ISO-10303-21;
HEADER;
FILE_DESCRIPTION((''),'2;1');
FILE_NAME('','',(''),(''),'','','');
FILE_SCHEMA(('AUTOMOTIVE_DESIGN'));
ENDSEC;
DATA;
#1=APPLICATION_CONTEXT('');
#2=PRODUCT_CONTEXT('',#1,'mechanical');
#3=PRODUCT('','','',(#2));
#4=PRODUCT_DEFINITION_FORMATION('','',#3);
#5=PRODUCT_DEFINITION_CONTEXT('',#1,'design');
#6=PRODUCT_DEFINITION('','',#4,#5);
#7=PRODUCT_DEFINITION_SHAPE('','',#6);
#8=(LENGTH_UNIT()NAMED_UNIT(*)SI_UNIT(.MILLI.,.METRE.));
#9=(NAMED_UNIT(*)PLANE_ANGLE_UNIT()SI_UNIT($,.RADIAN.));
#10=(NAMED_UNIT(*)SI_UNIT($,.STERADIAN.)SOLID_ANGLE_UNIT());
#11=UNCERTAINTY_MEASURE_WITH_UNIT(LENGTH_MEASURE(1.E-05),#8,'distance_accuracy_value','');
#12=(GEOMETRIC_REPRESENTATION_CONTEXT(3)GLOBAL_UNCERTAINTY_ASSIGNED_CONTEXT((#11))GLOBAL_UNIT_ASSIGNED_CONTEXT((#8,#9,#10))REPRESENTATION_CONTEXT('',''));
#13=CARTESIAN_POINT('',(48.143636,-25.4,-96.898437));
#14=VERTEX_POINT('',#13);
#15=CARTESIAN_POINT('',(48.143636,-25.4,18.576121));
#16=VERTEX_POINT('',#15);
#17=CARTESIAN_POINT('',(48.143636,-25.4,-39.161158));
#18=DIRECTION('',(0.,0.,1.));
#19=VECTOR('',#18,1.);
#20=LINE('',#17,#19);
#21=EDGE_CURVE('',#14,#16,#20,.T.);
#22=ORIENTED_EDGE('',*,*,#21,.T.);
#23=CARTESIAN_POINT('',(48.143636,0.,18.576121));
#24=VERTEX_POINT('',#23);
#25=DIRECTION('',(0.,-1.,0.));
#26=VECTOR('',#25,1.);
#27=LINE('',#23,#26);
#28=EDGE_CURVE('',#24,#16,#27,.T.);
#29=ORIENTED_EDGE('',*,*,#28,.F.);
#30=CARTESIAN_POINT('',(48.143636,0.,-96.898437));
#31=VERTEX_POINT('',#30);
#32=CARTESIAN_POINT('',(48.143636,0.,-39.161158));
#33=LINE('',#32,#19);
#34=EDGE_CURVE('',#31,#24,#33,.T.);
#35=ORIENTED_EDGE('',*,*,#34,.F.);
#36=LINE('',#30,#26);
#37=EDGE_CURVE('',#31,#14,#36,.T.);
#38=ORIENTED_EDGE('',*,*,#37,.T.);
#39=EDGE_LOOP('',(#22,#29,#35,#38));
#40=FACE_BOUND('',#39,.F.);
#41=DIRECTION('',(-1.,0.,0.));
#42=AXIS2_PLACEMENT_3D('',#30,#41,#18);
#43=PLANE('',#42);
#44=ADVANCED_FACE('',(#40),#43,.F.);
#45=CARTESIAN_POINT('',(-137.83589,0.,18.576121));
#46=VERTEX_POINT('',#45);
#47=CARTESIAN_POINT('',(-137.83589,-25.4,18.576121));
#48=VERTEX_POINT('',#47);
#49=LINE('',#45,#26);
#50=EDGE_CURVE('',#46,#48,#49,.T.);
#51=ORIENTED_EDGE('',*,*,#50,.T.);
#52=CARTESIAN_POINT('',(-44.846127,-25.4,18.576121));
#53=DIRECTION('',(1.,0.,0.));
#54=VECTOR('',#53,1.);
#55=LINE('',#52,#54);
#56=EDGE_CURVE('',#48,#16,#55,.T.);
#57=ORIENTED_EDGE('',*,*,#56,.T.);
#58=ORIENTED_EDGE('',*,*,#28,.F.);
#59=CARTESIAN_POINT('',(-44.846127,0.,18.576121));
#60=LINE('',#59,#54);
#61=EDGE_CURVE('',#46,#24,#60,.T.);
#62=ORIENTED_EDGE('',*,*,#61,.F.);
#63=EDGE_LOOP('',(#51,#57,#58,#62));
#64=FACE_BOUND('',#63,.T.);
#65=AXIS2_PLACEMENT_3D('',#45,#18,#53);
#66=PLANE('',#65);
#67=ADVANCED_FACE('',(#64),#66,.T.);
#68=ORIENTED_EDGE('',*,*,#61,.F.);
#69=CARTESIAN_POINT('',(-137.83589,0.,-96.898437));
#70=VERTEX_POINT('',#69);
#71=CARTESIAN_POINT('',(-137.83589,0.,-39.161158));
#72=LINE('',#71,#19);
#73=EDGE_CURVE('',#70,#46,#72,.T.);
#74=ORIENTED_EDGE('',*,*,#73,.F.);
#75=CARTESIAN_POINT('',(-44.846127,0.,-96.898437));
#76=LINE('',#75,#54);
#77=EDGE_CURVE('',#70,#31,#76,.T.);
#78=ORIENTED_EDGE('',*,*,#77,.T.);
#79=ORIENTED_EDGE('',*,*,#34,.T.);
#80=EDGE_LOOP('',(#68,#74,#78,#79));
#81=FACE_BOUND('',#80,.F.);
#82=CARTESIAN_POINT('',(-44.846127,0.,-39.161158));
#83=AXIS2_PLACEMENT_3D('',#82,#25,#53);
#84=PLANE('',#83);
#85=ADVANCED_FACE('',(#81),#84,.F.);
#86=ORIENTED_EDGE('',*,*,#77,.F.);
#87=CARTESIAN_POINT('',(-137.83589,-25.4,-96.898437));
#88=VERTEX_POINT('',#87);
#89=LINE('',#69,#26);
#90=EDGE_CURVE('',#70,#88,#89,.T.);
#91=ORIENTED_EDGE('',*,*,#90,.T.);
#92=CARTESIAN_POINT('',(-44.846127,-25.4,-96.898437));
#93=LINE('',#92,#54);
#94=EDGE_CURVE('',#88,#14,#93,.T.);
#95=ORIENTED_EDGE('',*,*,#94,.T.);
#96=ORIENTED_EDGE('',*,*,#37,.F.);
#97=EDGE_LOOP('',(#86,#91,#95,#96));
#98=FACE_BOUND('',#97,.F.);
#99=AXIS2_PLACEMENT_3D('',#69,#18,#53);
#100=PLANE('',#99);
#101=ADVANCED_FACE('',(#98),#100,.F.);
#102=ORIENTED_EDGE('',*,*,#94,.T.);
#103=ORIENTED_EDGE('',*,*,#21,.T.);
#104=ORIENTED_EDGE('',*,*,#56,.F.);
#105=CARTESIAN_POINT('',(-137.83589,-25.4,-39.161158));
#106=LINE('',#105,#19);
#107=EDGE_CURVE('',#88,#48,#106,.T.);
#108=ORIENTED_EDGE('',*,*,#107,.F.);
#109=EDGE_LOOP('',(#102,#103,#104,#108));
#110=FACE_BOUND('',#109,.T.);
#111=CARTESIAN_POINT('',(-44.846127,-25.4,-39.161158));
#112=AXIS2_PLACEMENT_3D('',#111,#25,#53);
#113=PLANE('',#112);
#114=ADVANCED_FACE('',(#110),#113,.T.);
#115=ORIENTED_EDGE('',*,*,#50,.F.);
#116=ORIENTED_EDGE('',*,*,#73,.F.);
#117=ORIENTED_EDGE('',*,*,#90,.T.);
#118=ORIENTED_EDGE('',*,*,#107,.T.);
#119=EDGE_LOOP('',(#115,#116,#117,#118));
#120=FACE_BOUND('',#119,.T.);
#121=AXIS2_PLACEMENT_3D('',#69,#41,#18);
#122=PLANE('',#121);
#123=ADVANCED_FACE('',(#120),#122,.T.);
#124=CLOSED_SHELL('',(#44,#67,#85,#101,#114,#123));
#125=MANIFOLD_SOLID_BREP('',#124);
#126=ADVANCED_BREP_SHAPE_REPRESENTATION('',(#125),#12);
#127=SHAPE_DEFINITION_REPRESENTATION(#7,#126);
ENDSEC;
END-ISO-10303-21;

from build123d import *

# Parameters (mm, degrees)
F0_W     = 99.2550253868
F0_H     = 95.004145056
F1_DEPTH = 25.4
F3_W     = 185.97952649
F3_H     = 115.4745575041
F4_DEPTH = 25.4


with BuildPart() as f1:
    # F0 (on Front) → F1 (new body)
    with BuildSketch(Plane.XZ):
        with Locations((-80.9538513422, 2.1863337606)):
            Rectangle(F0_W, F0_H)
    extrude(amount=F1_DEPTH)


with BuildPart() as f4:
    # F3 (on Front) → F4 (new body)
    with BuildSketch(Plane.XZ):
        with Locations((-44.8461268097, -39.1611577943)):
            Rectangle(F3_W, F3_H)
    extrude(amount=F4_DEPTH)


solid = f4.part
